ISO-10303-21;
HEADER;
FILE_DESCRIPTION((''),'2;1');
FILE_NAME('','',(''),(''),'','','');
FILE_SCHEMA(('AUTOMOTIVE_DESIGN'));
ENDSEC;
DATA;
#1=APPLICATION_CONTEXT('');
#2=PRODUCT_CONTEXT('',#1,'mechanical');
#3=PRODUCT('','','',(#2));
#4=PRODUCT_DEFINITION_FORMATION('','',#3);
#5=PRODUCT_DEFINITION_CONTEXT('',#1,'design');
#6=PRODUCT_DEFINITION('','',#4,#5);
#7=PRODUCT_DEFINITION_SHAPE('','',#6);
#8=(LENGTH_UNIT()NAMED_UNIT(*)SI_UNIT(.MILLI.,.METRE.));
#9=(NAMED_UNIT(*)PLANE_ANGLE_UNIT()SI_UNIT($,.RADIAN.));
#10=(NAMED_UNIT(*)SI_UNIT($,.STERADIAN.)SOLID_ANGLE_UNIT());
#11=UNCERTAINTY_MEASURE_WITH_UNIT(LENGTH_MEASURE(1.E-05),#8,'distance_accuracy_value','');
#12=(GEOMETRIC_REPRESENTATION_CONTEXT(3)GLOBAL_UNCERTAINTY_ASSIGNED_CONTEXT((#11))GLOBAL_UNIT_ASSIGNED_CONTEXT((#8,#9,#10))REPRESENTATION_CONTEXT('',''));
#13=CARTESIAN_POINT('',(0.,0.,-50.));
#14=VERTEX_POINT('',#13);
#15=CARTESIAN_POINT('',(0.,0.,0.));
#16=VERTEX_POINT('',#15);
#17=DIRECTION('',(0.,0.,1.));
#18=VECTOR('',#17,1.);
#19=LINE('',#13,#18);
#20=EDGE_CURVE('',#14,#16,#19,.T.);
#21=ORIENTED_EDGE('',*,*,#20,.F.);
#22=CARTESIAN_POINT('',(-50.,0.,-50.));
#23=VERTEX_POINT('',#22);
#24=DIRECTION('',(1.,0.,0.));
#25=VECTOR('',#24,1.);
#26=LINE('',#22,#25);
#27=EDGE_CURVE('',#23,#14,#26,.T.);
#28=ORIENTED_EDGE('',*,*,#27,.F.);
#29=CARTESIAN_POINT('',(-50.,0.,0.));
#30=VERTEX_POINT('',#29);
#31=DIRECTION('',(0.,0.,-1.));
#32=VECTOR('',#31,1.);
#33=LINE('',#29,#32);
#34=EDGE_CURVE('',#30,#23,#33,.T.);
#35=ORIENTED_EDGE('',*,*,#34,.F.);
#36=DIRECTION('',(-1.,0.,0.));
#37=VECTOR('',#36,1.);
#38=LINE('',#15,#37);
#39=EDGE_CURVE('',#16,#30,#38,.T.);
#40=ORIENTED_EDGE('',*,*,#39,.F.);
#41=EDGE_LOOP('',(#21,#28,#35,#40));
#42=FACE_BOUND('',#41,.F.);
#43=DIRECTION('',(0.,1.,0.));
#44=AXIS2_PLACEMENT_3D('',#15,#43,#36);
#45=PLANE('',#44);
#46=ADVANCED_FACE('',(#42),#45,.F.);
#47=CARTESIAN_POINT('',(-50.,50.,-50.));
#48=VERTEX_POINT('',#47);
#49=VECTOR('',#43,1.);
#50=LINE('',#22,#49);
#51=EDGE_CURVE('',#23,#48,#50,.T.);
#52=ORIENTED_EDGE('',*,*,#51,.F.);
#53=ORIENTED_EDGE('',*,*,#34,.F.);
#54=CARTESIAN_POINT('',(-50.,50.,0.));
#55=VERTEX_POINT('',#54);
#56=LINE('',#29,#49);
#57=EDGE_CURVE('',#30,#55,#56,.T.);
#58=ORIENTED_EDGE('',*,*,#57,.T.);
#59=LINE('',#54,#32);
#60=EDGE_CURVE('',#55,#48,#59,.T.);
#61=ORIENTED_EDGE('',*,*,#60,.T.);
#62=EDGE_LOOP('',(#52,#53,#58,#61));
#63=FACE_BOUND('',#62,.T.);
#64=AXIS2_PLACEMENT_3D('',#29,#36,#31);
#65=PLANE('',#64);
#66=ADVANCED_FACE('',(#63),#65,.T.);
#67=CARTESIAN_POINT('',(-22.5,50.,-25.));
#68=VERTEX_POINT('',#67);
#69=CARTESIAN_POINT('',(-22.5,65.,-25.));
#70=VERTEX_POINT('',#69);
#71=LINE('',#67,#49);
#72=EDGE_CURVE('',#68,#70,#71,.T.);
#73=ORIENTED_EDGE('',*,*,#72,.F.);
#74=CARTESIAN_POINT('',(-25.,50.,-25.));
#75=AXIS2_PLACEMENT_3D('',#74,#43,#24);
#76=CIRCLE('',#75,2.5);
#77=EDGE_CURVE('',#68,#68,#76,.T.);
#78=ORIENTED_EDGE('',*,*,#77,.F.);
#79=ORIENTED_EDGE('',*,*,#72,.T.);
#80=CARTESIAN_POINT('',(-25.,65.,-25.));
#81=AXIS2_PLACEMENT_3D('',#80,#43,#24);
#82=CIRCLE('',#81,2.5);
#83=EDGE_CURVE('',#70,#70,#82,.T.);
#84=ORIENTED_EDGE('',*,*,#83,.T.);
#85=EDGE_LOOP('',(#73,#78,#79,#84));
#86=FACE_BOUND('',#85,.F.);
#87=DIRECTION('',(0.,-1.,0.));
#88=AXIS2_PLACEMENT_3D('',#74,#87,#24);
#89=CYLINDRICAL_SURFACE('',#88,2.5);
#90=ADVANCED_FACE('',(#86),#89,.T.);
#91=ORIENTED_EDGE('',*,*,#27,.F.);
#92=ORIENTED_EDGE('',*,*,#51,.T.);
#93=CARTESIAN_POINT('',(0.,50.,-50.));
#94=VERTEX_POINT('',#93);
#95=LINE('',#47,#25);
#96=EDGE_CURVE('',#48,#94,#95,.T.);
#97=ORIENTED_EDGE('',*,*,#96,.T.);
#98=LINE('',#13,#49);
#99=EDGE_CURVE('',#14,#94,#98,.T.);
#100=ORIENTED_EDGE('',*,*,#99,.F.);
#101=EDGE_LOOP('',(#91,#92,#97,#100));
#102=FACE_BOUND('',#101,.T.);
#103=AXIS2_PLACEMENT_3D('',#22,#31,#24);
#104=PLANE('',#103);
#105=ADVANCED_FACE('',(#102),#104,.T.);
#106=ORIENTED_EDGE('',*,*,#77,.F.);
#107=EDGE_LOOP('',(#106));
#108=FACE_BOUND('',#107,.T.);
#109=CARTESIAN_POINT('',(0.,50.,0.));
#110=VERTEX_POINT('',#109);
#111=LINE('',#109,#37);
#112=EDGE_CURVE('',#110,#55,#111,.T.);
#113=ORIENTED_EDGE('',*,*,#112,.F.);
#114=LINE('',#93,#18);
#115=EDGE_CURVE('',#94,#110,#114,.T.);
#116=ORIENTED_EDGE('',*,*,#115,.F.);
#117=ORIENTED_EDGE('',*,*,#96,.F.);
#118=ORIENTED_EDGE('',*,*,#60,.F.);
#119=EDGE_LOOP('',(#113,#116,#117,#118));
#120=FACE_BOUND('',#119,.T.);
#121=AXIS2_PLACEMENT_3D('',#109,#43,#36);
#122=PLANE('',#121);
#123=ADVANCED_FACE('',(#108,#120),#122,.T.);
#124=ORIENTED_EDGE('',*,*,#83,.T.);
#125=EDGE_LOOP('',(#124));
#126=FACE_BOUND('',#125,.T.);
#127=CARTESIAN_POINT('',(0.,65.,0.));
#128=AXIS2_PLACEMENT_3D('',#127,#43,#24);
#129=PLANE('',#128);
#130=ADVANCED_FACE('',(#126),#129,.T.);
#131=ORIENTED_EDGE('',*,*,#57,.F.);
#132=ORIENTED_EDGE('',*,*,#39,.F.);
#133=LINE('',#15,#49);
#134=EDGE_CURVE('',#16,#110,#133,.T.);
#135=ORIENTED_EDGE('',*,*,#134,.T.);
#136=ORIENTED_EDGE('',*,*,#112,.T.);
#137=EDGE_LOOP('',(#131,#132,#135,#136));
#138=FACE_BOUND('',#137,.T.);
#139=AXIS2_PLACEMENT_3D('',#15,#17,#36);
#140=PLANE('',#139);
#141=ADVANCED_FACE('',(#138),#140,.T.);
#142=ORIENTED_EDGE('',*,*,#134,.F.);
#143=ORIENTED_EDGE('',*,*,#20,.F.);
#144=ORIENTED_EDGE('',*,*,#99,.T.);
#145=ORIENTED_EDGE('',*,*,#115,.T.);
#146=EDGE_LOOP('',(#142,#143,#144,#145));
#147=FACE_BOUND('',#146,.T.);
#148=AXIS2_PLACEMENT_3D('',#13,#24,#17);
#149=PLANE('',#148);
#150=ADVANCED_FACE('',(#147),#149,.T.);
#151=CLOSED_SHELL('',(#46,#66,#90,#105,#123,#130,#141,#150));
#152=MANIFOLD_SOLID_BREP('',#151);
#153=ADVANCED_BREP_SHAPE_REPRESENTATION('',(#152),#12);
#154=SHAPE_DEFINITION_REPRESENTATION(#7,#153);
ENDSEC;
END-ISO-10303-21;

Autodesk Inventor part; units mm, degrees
ref_plane "YZ Plane" through (0, 0, 0) normal (1, 0, 0) x (0, 1, 0)
ref_plane "XZ Plane" through (0, 0, 0) normal (0, 1, 0) x (-1, 0, 0)
ref_plane "XY Plane" through (0, 0, 0) normal (0, 0, 1) x (1, 0, 0)
sketch "スケッチ1" plane through (0, 0, 0) normal (0, 1, 0) x (-1, 0, 0)
  line L0 (0, 0) -> (50, 0)
  line L1 (50, 0) -> (50, -50)
  line L2 (50, -50) -> (0, -50)
  line L3 (0, -50) -> (0, 0)
  dimension "d0" = 50
  dimension "d1" = 50
extrude "押し出し1" add sketch "スケッチ1" along normal blind 50
ref_plane "作業平面1" through (0, 50, 0) normal (0, 1, 0) x (1, 0, 0)
sketch "スケッチ2" plane through (0, 50, 0) normal (0, 1, 0) x (1, 0, 0)
  circle A0 centre (-25, 25) radius 2.5
  point P0 (0, 0)
  dimension "d5" = 5
extrude "押し出し2" add sketch "スケッチ2" along normal blind 15
properties part number "moto1"
